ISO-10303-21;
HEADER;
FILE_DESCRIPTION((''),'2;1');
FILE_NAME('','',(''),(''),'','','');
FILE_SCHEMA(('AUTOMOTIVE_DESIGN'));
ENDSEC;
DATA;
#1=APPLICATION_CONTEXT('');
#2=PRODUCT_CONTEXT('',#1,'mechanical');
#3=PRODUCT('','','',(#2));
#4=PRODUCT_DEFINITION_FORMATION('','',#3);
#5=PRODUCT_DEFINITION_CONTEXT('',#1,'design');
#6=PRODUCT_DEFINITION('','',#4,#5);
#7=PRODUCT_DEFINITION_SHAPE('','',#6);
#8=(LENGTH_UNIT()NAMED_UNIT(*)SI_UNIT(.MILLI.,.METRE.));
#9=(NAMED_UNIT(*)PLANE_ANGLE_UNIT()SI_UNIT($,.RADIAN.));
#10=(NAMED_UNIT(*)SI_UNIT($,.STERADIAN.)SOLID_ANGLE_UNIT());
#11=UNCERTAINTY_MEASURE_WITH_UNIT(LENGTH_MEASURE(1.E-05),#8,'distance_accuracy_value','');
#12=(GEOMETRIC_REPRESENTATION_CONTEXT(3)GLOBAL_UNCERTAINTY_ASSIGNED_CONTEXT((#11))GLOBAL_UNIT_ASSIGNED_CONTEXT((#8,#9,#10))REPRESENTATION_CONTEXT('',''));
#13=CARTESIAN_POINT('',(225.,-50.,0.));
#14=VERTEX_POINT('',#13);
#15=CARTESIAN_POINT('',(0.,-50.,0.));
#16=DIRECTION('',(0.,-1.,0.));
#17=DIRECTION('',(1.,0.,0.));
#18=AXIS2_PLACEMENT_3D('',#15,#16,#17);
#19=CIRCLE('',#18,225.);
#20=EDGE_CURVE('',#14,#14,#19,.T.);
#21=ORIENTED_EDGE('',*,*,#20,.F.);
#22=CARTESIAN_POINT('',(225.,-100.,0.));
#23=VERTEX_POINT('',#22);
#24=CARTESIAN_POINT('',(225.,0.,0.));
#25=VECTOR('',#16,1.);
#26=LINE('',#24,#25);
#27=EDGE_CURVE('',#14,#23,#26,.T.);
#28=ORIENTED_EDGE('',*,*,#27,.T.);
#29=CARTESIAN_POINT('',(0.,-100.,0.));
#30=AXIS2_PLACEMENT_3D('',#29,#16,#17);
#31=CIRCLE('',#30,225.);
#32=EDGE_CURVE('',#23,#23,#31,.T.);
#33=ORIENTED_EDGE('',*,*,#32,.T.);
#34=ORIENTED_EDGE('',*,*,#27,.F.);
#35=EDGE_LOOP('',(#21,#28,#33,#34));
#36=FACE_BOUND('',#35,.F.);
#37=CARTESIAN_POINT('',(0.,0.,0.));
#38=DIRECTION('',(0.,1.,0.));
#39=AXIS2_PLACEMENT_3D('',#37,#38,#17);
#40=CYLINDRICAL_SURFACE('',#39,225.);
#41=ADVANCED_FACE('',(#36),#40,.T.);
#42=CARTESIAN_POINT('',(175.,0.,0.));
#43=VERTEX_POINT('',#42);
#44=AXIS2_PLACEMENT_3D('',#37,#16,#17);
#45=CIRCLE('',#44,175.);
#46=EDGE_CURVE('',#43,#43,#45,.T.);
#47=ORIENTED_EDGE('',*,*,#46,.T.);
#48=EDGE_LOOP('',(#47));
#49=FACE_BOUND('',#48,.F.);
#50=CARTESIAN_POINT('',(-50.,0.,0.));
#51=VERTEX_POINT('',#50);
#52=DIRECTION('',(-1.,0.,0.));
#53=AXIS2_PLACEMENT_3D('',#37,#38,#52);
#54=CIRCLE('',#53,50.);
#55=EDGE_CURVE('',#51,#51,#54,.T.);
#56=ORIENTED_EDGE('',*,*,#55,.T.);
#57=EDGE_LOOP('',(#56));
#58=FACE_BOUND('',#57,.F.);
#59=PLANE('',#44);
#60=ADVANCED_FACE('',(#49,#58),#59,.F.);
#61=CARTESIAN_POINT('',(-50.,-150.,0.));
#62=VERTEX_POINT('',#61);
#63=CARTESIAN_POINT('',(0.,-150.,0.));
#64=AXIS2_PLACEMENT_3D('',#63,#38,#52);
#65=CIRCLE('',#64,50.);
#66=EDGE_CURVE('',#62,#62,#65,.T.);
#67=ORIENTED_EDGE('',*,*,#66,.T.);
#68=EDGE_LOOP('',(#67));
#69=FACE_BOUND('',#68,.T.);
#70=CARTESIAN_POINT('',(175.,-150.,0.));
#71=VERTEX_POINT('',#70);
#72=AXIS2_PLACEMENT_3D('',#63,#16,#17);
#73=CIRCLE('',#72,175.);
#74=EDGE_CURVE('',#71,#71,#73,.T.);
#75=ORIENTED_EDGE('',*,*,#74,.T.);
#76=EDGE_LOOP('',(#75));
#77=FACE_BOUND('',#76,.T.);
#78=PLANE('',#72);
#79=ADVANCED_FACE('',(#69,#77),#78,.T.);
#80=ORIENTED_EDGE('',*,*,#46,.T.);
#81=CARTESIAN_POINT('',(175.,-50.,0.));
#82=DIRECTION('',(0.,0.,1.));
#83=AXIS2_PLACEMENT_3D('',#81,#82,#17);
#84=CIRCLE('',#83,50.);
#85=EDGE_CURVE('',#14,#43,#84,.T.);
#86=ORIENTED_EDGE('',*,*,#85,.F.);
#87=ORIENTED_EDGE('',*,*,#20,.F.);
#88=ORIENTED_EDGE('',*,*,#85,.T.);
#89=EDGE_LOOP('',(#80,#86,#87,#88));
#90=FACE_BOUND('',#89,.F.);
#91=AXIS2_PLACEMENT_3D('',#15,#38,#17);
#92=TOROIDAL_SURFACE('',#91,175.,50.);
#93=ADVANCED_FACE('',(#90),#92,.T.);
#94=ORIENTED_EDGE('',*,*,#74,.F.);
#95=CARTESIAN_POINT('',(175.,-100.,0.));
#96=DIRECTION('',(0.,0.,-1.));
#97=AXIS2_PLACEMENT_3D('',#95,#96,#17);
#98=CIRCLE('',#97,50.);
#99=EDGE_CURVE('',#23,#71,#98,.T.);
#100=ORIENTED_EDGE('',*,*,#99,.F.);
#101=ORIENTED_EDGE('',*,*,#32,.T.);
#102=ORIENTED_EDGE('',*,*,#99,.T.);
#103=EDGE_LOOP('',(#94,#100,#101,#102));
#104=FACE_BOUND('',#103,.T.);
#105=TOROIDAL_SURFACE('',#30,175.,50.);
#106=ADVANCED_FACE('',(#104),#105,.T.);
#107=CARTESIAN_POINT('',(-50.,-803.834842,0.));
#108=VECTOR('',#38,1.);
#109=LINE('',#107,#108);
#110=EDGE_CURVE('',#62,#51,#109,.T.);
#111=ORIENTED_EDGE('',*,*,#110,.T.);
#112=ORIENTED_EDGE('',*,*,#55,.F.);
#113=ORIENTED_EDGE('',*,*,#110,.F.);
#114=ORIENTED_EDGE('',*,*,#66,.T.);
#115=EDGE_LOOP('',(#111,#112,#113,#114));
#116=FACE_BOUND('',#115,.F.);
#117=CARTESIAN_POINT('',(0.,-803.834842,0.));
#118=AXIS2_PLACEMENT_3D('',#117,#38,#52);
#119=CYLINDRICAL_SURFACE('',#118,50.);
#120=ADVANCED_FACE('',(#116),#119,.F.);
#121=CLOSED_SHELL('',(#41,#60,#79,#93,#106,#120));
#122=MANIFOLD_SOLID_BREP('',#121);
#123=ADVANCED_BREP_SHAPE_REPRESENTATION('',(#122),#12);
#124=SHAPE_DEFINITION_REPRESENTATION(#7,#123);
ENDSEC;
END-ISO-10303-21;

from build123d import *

# Parameters (mm, degrees)
F0_R     = 225
F1_DEPTH = 150
F2_R     = 50
F4_D     = 100


with BuildPart() as f1:
    # F0 (on Front) → F1 (new body)
    with BuildSketch(Plane.XZ):
        Circle(F0_R)
    extrude(amount=F1_DEPTH)

    # F2
    f2_edges = [f1.edges().sort_by_distance(p)[0] for p in [
        (-225, -150, 0),
        (-225, 0, 0),
    ]]
    fillet(f2_edges, radius=F2_R)

    # F4 (through all)
    with Locations(Plane.XZ.offset(150)):
        with Locations((0, 0)):
            Hole(F4_D / 2)


solid = f1.part
